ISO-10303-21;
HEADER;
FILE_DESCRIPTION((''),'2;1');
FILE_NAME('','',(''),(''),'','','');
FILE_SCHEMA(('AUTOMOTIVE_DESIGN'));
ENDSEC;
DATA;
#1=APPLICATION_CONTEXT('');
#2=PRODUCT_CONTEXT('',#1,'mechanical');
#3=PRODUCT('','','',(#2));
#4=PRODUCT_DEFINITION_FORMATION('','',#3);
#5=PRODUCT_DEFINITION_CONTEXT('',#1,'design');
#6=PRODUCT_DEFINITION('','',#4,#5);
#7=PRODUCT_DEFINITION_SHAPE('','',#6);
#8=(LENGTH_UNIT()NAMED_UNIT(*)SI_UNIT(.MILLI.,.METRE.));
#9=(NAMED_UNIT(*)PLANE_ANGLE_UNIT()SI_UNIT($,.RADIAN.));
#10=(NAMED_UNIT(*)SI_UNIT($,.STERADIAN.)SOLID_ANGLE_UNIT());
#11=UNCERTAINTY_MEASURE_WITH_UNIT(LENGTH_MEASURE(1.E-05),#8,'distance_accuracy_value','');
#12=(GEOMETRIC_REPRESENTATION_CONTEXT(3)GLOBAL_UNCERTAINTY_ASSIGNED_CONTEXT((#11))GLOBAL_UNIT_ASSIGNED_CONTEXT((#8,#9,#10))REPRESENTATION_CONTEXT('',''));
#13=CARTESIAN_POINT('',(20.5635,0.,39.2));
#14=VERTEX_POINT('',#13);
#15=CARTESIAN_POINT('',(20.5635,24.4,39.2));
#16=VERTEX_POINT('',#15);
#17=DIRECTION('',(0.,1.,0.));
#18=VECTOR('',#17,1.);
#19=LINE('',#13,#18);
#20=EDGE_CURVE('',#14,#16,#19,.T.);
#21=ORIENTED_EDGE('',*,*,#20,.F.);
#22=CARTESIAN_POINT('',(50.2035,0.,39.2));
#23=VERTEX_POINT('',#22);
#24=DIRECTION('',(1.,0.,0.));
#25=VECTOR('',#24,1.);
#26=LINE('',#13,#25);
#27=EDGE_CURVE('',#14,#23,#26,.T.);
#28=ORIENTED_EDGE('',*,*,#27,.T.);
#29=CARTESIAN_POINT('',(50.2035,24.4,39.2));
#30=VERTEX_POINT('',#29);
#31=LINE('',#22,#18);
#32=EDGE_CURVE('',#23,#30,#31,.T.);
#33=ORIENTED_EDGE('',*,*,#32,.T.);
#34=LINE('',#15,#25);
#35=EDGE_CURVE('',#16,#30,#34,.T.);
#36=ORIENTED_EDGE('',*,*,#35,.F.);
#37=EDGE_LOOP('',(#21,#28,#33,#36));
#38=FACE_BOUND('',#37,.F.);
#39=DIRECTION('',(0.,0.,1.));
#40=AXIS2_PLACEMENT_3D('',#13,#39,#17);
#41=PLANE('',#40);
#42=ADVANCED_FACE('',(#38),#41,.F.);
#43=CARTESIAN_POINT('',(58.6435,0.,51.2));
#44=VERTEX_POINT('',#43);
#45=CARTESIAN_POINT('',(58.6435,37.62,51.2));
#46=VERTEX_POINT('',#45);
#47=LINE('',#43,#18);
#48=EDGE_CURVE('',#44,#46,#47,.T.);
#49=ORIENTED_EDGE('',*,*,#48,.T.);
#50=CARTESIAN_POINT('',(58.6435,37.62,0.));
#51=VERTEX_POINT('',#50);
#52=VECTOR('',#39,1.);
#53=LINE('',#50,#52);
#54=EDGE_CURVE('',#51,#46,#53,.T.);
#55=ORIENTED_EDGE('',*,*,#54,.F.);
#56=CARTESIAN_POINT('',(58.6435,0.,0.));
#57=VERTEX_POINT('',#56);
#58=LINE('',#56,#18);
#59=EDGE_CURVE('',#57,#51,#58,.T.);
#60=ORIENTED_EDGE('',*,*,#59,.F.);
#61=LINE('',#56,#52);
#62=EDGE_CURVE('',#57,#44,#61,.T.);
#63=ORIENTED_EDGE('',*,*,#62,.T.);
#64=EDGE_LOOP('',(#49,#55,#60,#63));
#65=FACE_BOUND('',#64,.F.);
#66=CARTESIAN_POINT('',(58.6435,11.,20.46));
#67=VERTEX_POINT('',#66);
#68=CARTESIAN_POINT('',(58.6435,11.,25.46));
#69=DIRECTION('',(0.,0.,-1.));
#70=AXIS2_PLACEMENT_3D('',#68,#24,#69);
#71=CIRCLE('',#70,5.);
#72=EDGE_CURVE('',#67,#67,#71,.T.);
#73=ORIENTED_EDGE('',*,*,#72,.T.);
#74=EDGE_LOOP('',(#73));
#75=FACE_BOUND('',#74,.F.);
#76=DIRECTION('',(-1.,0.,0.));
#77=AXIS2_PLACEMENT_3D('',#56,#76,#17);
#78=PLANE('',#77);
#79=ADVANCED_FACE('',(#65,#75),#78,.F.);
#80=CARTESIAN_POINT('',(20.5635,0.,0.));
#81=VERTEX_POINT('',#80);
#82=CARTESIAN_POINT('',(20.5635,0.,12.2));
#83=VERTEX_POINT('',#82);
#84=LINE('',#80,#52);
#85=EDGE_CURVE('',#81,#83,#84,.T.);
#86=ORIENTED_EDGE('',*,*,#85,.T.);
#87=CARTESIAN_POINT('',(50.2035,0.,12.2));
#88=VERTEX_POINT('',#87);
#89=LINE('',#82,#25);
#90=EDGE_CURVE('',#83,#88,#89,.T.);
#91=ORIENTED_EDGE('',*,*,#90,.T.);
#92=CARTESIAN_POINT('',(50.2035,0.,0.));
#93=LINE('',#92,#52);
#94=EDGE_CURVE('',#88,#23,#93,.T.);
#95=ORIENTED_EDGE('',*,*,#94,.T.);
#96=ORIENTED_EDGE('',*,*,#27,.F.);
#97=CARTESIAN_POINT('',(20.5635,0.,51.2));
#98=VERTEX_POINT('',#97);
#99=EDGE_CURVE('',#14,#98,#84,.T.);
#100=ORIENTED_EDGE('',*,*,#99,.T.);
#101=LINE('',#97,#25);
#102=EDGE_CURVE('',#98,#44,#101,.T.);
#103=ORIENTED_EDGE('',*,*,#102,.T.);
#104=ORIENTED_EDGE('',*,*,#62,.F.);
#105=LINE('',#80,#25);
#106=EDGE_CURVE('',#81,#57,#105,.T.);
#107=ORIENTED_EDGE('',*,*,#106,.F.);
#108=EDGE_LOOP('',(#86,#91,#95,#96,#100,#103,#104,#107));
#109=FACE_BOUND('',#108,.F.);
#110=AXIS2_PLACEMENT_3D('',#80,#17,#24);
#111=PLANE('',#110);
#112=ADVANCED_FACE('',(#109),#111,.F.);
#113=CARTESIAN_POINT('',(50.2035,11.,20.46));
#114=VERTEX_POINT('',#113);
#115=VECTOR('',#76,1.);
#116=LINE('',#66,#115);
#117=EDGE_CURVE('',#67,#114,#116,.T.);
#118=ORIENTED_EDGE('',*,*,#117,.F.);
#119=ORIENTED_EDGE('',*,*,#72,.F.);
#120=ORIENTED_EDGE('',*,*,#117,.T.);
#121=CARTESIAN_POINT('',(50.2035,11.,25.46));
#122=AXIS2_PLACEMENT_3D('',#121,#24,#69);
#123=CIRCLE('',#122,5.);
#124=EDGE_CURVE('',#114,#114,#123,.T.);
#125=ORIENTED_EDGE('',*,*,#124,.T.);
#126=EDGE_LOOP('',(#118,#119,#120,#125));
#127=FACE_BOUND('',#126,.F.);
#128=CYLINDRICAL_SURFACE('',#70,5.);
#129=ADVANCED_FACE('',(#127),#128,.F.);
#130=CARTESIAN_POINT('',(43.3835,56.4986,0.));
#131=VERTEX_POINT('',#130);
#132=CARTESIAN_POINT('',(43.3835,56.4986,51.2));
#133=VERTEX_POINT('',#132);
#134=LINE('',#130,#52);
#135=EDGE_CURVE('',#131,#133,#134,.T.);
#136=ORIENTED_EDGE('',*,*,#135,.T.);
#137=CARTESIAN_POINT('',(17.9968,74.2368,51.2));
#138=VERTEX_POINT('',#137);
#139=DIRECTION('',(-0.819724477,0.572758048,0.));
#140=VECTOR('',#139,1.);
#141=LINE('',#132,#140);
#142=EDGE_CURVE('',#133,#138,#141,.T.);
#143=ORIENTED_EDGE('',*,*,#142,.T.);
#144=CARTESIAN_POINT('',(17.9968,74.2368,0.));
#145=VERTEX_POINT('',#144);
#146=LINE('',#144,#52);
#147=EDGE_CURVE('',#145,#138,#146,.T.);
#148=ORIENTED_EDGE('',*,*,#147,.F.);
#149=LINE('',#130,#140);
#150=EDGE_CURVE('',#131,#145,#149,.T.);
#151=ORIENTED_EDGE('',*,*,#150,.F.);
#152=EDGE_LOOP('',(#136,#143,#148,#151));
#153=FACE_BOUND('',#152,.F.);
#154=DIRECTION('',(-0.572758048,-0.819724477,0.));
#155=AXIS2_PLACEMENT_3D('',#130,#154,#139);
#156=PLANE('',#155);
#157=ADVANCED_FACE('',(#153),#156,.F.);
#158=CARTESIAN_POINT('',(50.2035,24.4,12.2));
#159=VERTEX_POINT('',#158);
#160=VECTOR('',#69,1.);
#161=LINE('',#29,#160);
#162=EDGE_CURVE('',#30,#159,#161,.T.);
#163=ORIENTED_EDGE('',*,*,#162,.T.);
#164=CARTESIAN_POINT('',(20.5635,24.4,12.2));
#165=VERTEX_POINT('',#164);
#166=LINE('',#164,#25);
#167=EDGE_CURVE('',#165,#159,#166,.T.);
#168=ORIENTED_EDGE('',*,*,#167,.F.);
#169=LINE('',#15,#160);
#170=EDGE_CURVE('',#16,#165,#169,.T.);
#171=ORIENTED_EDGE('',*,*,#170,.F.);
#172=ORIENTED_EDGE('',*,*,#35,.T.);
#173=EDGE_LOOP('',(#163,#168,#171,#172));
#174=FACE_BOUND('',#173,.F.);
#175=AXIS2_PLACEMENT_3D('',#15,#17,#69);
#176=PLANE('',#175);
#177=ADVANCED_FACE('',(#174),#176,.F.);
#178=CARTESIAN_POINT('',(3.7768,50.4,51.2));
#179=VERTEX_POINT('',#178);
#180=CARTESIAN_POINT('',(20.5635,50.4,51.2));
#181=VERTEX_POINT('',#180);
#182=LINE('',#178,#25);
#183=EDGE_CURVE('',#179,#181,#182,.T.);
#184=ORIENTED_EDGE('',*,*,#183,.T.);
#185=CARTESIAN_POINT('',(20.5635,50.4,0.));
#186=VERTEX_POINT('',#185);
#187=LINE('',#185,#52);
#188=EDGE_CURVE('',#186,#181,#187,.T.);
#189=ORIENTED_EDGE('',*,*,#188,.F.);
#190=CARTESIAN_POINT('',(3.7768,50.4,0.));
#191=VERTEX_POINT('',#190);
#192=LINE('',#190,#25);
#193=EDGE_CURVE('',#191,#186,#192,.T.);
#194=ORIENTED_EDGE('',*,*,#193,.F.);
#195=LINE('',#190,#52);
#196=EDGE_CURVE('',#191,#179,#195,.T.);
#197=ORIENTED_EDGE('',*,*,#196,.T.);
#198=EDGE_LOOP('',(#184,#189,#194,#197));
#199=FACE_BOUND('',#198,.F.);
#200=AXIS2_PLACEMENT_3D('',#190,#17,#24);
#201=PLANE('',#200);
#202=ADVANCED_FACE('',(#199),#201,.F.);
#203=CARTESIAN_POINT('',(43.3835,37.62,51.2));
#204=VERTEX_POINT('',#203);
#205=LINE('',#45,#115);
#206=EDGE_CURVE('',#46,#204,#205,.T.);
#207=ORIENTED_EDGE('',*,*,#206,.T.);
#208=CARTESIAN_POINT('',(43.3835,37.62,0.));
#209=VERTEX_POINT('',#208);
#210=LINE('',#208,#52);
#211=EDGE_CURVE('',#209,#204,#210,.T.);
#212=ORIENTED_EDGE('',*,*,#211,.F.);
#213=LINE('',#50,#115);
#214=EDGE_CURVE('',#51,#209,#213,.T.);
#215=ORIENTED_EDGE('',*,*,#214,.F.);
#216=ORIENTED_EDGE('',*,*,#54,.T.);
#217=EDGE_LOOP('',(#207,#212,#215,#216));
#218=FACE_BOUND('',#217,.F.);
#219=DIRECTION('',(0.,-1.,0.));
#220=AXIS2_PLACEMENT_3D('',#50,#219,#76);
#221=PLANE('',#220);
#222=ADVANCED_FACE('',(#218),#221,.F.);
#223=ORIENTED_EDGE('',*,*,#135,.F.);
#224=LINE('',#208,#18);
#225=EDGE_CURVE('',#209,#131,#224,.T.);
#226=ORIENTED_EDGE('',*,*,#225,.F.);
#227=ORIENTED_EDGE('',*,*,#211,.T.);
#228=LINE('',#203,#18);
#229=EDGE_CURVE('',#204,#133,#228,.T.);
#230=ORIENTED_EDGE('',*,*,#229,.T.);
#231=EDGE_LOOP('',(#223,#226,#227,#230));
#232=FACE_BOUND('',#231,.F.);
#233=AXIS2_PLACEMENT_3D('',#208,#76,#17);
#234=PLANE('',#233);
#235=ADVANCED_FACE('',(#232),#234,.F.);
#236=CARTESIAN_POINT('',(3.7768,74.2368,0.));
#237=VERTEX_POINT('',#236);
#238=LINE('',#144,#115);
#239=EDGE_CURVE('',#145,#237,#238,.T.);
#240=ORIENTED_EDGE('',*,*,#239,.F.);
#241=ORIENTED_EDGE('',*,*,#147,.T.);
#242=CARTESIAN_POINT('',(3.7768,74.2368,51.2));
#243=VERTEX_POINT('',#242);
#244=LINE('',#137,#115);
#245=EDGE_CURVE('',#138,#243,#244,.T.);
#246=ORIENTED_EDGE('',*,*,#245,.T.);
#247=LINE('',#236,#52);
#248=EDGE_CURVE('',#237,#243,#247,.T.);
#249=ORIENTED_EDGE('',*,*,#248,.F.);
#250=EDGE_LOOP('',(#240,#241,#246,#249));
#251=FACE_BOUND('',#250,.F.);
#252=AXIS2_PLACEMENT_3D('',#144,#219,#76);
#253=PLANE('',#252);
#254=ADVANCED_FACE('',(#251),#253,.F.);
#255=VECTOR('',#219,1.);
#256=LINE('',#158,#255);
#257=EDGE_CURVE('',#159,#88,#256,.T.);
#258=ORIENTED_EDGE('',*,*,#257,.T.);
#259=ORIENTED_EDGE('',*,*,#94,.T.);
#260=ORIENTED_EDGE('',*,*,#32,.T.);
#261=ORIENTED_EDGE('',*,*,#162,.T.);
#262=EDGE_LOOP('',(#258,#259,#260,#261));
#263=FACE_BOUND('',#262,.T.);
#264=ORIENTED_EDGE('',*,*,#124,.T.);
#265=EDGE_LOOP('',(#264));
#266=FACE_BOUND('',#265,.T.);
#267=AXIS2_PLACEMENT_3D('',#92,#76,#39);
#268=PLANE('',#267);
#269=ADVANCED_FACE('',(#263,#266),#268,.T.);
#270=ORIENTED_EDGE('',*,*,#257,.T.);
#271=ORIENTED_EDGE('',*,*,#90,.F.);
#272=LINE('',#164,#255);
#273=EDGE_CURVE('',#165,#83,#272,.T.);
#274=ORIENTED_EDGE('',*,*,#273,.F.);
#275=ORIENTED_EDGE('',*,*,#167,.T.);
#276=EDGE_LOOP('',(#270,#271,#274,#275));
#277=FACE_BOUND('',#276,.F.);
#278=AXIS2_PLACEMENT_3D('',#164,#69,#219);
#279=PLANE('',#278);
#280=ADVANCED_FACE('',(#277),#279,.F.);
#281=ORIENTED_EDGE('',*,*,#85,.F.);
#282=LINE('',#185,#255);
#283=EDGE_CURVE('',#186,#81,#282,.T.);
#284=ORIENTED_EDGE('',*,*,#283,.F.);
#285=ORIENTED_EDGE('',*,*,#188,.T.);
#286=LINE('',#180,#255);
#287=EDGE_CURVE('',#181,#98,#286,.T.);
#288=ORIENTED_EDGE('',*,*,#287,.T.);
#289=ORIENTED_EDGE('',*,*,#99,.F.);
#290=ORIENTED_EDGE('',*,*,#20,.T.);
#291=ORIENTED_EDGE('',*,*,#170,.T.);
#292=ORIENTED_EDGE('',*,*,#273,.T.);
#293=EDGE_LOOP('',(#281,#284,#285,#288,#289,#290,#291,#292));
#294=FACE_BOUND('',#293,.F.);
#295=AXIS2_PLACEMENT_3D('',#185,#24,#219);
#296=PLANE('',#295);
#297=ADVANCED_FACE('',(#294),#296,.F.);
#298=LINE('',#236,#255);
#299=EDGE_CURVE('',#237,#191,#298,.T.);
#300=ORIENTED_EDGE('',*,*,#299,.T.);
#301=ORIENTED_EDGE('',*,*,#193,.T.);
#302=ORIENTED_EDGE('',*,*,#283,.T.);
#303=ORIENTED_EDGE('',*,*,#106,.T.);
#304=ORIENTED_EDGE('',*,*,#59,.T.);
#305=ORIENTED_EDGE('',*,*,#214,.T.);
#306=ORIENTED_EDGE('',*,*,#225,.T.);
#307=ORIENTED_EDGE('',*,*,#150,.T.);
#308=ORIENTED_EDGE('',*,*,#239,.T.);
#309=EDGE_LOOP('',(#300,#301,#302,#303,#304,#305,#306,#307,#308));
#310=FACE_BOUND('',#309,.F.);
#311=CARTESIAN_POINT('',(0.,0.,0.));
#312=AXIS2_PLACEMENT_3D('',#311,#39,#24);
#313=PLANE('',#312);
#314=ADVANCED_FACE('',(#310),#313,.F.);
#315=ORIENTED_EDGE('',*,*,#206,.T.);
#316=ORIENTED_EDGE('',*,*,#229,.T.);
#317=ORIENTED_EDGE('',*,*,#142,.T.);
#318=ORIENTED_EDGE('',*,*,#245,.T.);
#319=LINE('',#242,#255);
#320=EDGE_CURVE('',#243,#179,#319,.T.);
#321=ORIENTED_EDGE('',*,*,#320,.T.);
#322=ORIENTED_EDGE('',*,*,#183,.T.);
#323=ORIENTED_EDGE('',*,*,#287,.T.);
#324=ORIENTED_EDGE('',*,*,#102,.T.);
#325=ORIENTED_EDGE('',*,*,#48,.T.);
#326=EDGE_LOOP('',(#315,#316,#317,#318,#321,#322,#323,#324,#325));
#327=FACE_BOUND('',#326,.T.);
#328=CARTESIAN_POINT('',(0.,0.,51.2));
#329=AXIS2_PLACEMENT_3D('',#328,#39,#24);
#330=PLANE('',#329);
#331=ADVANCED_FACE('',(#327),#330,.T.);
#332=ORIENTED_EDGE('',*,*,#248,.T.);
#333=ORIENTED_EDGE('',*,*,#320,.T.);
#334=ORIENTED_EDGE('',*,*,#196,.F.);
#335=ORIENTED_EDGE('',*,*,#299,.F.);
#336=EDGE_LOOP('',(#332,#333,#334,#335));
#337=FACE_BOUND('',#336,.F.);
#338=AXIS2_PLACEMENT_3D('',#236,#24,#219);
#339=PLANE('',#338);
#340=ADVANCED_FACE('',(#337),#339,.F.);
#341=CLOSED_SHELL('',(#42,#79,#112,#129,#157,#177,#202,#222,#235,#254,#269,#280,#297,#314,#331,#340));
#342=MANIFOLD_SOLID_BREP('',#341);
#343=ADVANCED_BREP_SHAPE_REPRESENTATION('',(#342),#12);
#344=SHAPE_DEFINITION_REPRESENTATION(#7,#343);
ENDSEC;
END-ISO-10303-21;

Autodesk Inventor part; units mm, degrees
ref_plane "YZ Plane" through (0, 0, 0) normal (1, 0, 0) x (0, 1, 0)
ref_plane "XZ Plane" through (0, 0, 0) normal (0, 1, 0) x (-1, 0, 0)
ref_plane "XY Plane" through (0, 0, 0) normal (0, 0, 1) x (1, 0, 0)
sketch "草圖1" plane through (0, 0, 0) normal (0, 0, 1) x (1, 0, 0)
  line L0 (20.5635, 0) -> (58.6435, 0)
  line L1 (58.6435, 0) -> (58.6435, 37.62)
  line L2 (58.6435, 37.62) -> (43.3835, 37.62)
  line L3 (43.3835, 37.62) -> (43.3835, 56.4986)
  line L4 (43.3835, 56.4986) -> (17.9968, 74.2368)
  line L5 (17.9968, 74.2368) -> (3.7768, 74.2368)
  line L6 (3.7768, 74.2368) -> (3.7768, 50.4)
  line L7 (3.7768, 50.4) -> (20.5635, 50.4)
  line L8 (20.5635, 50.4) -> (20.5635, 0)
  point P0 (0, 0)
  dimension "d0" = 38.08
  dimension "d1" = 37.62
  dimension "d2" = 15.26
  dimension "d3" = 50.4
  dimension "d4" = 14.22
extrude "擠出1" add sketch "草圖1" along normal blind 51.2
sketch "草圖2" plane through (58.6435, 0, 0) normal (1, 0, 0) x (0, 0, -1)
  circle A0 centre (-25.46, 11) radius 5
  line L0 (0, 37.62) -> (0, 0) projected
  line L1 (0, 0) -> (-51.2, 0) projected
  dimension "d7" = 10
  dimension "d8" = 25.46
  dimension "d9" = 11
extrude "擠出2" cut sketch "草圖2" against normal blind 51.2
sketch "草圖3" plane through (20.5635, 0, 0) normal (-1, 0, 0) x (0, 0, 1)
  line L0 (39.2, 0) -> (39.2, 24.4)
  line L1 (39.2, 24.4) -> (12.2, 24.4)
  line L2 (12.2, 24.4) -> (12.2, 0)
  line L3 (51.2, 50.4) -> (51.2, 0) projected
  line L4 (12.2, 0) -> (12.2, -12.2233)
  line L5 (12.2, -12.2233) -> (39.2, -4.7386)
  line L6 (39.2, -4.7386) -> (39.2, 0)
  dimension "d12" = 27
  dimension "d13" = 12
extrude "擠出3" cut sketch "草圖3" against normal blind 29.64
properties part number "小虎鉗-右側" material "鋁合金 6061"
